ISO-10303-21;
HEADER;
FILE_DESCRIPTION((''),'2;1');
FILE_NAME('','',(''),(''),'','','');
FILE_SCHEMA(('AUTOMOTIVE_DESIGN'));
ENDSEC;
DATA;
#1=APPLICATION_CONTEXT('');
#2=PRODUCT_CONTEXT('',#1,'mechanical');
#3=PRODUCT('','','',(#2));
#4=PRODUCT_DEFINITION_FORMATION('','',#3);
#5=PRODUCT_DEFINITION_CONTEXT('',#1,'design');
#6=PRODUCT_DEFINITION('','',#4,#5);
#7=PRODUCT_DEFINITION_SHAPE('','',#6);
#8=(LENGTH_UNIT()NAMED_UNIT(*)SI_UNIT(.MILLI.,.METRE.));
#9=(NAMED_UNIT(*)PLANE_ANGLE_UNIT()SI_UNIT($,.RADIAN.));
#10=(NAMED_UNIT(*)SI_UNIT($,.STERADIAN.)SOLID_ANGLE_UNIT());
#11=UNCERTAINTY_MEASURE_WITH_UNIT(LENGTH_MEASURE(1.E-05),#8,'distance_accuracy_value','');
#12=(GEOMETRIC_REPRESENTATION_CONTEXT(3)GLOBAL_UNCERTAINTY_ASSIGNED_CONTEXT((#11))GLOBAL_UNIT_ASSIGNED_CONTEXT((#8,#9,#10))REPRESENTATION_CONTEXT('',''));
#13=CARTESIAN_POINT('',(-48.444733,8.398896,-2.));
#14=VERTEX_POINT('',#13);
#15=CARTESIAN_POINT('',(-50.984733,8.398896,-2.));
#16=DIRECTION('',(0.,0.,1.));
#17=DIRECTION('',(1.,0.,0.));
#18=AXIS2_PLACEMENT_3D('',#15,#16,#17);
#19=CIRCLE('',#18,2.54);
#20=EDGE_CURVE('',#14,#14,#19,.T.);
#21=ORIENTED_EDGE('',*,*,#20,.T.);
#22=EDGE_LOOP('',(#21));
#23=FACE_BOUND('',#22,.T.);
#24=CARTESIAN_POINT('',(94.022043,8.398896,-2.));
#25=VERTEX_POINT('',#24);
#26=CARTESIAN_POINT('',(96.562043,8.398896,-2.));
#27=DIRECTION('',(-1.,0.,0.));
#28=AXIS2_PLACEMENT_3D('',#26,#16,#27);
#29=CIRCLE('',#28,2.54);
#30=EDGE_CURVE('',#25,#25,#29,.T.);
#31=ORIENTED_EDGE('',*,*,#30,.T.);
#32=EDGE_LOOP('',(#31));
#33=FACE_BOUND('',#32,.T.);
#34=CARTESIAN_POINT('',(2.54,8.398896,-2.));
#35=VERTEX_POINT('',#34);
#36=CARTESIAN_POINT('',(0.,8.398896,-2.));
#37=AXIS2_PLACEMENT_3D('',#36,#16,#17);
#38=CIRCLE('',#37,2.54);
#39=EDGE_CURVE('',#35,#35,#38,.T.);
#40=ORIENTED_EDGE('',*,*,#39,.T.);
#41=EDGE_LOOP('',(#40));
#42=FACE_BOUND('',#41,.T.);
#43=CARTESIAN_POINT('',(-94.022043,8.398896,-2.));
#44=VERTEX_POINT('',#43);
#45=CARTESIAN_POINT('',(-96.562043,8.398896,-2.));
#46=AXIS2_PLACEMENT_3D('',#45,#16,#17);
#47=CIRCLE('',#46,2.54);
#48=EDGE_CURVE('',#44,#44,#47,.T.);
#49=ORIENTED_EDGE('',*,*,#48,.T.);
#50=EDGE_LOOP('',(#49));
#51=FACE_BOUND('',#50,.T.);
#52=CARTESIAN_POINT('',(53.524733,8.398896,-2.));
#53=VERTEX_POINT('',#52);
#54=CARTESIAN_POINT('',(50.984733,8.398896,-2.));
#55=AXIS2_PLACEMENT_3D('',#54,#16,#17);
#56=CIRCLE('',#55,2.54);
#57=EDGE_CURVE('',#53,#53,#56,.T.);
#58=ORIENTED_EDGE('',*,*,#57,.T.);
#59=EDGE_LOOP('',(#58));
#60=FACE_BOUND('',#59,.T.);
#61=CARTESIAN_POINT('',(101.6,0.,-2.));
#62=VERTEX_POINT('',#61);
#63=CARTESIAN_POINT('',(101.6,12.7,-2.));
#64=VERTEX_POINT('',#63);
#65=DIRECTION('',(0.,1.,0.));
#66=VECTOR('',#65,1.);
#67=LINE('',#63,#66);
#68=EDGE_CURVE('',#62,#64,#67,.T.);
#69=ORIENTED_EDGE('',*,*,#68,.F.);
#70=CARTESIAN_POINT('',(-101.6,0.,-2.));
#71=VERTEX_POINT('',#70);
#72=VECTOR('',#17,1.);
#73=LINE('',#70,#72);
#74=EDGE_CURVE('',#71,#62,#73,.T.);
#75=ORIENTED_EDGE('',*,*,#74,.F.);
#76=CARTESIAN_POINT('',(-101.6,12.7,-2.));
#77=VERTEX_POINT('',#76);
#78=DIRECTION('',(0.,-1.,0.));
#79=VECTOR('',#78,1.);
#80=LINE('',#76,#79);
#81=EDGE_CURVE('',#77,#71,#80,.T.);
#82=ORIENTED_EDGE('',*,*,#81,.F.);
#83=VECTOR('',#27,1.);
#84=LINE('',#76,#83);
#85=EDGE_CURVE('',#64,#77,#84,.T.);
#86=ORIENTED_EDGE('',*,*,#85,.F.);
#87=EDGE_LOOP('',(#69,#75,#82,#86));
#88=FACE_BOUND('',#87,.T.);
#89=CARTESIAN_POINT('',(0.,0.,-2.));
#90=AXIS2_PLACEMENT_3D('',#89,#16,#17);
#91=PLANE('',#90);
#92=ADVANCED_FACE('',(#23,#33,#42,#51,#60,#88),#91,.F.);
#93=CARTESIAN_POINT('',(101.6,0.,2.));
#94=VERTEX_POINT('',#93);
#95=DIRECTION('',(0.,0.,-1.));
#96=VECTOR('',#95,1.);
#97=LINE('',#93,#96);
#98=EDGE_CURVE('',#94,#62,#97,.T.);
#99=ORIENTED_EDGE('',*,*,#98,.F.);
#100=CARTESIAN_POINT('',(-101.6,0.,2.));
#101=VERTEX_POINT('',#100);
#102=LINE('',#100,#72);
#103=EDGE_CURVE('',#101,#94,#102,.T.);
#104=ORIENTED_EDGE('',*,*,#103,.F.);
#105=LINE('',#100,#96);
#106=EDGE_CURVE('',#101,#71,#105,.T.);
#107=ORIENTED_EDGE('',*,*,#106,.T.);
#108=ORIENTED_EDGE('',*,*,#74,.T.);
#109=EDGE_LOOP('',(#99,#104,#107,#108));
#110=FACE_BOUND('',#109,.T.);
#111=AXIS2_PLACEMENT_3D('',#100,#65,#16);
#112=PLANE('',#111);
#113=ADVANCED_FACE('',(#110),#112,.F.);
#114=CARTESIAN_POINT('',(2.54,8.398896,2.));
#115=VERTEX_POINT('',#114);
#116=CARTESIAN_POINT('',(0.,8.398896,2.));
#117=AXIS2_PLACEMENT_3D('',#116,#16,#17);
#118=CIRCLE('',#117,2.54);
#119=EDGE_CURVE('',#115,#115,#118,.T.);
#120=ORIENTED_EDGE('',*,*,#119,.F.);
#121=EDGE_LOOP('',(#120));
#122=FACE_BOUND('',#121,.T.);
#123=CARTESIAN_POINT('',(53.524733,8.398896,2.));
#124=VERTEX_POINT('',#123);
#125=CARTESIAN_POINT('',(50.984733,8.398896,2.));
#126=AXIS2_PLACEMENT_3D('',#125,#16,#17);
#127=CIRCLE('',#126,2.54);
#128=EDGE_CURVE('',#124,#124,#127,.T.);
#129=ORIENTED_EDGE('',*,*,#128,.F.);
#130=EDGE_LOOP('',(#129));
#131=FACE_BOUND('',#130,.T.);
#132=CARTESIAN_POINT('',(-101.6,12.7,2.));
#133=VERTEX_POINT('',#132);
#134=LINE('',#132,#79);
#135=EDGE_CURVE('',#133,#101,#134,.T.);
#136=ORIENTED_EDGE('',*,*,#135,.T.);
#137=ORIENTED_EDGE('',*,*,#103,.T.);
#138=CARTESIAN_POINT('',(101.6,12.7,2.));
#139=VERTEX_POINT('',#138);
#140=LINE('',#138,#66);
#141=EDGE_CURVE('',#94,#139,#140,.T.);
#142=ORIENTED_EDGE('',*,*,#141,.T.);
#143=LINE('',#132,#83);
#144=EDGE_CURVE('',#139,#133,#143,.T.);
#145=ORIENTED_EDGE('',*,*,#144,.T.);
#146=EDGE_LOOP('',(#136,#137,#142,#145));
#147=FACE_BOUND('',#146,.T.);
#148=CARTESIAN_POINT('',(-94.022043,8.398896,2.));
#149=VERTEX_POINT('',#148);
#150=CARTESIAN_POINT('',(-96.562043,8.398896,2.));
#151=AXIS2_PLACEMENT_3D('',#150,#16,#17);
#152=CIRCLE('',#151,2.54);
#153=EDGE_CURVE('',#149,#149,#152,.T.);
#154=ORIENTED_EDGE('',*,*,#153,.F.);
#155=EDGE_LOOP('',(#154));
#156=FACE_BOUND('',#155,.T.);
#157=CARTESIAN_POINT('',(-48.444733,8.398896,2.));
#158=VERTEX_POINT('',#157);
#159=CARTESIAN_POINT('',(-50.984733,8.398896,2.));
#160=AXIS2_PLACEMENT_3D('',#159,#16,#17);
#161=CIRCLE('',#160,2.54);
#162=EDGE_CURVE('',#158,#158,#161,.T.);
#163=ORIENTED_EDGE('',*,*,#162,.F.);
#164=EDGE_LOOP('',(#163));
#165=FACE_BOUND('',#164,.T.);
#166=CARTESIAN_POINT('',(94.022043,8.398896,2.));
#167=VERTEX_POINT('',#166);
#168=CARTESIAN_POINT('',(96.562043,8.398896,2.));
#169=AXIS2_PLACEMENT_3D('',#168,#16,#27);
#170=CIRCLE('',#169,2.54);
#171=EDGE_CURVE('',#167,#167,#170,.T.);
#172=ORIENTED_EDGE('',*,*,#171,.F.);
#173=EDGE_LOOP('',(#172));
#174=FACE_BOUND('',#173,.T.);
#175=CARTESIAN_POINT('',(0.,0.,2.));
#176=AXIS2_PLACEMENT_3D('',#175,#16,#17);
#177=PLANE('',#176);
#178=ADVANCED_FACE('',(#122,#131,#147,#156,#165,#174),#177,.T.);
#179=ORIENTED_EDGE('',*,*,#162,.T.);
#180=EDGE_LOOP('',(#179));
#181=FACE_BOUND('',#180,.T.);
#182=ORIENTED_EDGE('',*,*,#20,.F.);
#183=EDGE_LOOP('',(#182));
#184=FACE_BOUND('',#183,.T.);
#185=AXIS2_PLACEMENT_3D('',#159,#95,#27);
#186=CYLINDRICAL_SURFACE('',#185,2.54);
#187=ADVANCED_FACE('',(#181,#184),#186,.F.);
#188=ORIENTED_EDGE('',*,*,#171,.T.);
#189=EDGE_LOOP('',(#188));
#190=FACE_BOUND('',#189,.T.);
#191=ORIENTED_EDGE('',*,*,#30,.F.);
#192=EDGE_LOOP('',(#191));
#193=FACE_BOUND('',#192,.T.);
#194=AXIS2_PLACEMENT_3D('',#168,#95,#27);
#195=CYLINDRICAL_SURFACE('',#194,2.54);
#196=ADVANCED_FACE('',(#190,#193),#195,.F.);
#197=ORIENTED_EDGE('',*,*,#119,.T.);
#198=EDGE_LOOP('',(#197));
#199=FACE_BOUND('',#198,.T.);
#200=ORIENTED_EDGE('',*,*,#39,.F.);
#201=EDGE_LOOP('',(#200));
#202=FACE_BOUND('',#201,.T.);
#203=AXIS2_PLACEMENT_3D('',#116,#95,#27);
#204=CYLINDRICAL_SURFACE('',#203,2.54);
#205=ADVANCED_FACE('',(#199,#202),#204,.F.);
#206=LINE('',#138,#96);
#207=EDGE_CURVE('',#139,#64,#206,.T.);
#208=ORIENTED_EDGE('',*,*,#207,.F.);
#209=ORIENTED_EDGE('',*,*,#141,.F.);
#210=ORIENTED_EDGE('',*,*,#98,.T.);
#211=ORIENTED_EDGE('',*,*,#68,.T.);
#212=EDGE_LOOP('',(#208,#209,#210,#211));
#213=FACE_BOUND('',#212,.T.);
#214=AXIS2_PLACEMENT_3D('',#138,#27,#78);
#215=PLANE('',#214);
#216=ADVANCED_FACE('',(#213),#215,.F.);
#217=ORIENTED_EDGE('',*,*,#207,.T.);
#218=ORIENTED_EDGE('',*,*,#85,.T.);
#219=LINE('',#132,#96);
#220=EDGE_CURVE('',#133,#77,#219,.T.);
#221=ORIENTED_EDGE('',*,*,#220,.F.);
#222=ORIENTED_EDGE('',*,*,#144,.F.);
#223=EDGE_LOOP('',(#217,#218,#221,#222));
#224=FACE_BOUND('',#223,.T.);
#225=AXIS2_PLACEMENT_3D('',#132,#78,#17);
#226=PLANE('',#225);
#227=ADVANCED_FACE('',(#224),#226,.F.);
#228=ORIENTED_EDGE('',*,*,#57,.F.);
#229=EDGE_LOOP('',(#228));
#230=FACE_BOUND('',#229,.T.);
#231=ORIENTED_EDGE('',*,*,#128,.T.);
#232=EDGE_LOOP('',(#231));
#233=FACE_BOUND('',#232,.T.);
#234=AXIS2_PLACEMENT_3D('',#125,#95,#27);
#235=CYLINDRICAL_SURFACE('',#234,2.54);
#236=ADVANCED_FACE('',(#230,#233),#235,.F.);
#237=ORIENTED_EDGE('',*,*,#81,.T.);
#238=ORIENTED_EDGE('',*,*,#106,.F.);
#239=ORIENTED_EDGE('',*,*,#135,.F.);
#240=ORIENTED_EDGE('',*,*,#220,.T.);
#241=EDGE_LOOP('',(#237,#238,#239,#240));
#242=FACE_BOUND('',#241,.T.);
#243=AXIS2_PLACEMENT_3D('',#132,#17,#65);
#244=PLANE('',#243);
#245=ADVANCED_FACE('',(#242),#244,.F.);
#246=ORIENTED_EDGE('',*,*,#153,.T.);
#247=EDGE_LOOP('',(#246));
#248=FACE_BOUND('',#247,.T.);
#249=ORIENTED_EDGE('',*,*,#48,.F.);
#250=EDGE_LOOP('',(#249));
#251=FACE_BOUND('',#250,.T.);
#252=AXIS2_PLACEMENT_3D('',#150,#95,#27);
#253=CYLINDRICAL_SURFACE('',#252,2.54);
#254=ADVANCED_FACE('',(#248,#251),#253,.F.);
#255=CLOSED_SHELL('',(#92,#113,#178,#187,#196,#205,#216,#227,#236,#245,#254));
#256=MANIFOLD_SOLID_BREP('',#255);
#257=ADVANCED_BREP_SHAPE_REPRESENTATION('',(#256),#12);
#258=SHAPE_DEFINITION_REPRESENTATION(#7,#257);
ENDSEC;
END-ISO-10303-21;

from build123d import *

# Parameters (mm, degrees)
SKETCH2_W           = 203.2
SKETCH2_H           = 12.7
SKETCH2_R           = 2.54
BOSS_EXTRUDE2_DEPTH = 2


with BuildPart() as part:
    # Sketch2 → Boss-Extrude2 (new, symmetric)
    with BuildSketch(Plane.XY):
        with Locations((0, 6.35)):
            Rectangle(SKETCH2_W, SKETCH2_H)
        with Locations((-96.562042846, 8.398896076)):
            Circle(SKETCH2_R, mode=Mode.SUBTRACT)
        with Locations((-50.984733006, 8.398896076)):
            Circle(SKETCH2_R, mode=Mode.SUBTRACT)
        with Locations(Location((96.562042846, 8.398896076, 0), (0, 0, 180))):
            Circle(SKETCH2_R, mode=Mode.SUBTRACT)
        with Locations((0, 8.398896076)):
            Circle(SKETCH2_R, mode=Mode.SUBTRACT)
        with Locations((50.984733006, 8.398896076)):
            Circle(SKETCH2_R, mode=Mode.SUBTRACT)
    extrude(amount=BOSS_EXTRUDE2_DEPTH, both=True)


solid = part.part
